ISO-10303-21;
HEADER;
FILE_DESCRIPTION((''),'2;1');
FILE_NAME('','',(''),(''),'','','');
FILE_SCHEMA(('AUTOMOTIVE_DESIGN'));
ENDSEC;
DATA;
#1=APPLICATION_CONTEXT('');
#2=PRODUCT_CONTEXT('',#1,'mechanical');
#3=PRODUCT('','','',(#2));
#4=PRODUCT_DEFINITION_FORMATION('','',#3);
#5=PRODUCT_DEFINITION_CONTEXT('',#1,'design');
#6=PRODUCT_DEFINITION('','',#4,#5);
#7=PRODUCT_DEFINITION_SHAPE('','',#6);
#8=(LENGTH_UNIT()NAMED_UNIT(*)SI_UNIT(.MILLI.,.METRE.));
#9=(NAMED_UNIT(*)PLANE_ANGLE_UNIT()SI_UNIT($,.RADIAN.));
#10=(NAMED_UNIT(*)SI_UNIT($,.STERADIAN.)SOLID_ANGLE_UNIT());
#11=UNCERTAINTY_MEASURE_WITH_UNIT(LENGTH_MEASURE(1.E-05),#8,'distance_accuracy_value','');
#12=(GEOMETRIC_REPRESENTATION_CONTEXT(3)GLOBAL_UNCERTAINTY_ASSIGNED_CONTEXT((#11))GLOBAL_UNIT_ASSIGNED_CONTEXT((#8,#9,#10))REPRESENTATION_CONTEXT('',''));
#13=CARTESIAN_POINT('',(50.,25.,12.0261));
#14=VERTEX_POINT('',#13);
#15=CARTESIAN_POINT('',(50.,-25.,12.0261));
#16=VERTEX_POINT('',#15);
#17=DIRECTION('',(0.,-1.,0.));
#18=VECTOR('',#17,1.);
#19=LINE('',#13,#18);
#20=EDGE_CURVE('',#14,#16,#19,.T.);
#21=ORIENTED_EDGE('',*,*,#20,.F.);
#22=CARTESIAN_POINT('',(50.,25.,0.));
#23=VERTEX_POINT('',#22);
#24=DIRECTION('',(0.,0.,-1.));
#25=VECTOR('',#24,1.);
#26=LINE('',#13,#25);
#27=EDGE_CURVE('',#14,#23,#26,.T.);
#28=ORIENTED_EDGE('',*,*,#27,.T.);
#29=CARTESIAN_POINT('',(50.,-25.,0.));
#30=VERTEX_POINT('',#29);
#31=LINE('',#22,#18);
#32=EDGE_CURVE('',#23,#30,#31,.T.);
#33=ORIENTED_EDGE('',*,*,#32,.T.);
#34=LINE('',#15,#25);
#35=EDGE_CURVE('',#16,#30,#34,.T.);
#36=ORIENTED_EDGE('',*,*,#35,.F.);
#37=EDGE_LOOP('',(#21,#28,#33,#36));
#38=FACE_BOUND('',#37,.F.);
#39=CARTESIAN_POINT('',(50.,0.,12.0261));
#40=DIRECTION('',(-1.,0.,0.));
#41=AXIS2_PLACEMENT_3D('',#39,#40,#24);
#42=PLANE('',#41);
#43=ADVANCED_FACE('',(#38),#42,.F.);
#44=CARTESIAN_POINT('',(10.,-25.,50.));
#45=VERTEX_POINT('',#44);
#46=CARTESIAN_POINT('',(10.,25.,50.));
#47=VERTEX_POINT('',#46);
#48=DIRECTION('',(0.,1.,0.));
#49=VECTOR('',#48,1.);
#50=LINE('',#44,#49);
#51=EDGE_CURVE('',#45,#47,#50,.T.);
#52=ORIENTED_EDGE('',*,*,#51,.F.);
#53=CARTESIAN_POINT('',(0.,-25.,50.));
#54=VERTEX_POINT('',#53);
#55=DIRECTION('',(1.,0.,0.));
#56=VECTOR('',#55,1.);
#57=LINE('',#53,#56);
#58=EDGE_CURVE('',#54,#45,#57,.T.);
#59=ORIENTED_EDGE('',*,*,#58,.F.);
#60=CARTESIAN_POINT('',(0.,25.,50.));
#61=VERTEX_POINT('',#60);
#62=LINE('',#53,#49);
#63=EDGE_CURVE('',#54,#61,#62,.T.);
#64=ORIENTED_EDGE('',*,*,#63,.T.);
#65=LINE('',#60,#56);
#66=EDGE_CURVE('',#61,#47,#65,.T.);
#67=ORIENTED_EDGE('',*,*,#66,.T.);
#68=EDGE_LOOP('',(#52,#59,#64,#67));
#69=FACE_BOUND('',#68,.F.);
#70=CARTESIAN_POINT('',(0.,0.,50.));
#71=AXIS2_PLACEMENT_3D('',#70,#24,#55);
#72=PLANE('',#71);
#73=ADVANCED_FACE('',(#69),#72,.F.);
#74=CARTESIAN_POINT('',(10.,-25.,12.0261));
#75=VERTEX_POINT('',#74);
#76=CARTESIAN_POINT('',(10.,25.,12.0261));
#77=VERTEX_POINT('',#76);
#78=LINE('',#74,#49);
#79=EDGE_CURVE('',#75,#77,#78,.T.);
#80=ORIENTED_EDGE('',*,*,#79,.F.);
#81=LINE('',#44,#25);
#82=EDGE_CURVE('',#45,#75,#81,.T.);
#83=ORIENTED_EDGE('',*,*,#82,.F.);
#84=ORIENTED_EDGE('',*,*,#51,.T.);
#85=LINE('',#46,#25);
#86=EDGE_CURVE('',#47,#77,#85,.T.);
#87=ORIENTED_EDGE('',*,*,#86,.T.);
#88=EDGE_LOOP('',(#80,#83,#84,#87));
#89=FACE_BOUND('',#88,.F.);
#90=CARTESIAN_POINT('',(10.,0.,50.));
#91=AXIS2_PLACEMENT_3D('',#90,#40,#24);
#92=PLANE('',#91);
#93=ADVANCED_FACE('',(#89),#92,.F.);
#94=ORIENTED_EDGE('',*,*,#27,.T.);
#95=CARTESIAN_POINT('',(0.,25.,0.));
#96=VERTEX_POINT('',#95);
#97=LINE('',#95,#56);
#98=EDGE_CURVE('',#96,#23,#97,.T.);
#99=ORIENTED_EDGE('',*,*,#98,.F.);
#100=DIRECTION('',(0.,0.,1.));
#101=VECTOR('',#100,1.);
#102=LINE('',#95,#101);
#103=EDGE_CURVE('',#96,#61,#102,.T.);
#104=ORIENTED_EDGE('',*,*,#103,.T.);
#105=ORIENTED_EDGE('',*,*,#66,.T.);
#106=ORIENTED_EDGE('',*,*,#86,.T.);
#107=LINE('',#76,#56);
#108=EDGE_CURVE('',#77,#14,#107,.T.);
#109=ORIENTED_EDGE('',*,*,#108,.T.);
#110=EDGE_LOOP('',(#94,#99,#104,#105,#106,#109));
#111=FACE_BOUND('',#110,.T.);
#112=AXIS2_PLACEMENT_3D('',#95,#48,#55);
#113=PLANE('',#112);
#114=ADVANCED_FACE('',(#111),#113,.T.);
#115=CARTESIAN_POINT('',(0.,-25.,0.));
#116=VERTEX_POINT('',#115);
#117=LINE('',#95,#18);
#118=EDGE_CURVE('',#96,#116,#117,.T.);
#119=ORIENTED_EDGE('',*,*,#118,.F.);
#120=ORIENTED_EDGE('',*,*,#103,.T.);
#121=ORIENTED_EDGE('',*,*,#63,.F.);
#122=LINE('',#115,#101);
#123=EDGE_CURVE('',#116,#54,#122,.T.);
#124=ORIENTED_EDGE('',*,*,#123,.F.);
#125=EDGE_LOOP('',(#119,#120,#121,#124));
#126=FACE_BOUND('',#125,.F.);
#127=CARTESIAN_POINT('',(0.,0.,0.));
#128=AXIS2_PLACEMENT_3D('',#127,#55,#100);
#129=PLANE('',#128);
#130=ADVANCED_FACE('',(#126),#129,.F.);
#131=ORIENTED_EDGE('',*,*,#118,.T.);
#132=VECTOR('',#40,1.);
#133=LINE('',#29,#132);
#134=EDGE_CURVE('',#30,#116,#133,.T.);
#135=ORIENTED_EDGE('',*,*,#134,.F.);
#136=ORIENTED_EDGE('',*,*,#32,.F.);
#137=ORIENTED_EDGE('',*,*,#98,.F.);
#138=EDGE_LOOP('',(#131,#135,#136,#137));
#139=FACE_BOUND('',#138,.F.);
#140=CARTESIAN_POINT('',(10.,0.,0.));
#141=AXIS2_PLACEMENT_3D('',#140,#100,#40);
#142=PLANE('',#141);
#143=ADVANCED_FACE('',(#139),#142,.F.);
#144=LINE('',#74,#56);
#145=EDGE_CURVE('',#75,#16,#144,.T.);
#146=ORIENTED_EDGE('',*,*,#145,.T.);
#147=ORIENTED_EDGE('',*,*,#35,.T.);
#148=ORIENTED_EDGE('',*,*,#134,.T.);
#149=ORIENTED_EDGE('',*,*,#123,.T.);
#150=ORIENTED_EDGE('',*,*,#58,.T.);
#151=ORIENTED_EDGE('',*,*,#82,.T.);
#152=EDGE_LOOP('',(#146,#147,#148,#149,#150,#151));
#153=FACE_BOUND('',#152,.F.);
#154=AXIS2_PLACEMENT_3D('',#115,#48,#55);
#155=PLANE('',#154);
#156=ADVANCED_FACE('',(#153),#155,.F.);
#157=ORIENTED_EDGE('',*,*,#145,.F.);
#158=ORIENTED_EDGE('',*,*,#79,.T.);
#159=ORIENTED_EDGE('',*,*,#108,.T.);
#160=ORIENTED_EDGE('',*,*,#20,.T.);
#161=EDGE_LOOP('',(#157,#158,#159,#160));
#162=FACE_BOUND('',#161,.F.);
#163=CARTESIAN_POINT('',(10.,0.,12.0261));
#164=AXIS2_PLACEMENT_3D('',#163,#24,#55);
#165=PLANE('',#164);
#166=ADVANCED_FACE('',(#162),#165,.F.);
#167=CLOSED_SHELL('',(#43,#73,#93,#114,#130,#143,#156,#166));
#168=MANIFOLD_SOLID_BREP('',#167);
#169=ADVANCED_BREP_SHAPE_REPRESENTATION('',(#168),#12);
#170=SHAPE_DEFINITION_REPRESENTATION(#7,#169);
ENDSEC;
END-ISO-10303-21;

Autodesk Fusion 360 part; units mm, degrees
sketch "Sketch1" plane through (0, 0, 0) normal (0, 1, 0) x (1, 0, 0)
  line L0 (0, -50) -> (10, -50)
  line L1 (10, -50) -> (10, 0)
  line L2 (10, 0) -> (0, 0)
  line L3 (0, 0) -> (0, -50)
  line L4 (50, 0) -> (10, 0)
  line L5 (10, 0) -> (10, -12.0261)
  line L6 (10, -12.0261) -> (50, -12.0261)
  line L7 (50, -12.0261) -> (50, 0)
extrude "Extrude1" add sketch "Sketch1" along normal mid plane 50
